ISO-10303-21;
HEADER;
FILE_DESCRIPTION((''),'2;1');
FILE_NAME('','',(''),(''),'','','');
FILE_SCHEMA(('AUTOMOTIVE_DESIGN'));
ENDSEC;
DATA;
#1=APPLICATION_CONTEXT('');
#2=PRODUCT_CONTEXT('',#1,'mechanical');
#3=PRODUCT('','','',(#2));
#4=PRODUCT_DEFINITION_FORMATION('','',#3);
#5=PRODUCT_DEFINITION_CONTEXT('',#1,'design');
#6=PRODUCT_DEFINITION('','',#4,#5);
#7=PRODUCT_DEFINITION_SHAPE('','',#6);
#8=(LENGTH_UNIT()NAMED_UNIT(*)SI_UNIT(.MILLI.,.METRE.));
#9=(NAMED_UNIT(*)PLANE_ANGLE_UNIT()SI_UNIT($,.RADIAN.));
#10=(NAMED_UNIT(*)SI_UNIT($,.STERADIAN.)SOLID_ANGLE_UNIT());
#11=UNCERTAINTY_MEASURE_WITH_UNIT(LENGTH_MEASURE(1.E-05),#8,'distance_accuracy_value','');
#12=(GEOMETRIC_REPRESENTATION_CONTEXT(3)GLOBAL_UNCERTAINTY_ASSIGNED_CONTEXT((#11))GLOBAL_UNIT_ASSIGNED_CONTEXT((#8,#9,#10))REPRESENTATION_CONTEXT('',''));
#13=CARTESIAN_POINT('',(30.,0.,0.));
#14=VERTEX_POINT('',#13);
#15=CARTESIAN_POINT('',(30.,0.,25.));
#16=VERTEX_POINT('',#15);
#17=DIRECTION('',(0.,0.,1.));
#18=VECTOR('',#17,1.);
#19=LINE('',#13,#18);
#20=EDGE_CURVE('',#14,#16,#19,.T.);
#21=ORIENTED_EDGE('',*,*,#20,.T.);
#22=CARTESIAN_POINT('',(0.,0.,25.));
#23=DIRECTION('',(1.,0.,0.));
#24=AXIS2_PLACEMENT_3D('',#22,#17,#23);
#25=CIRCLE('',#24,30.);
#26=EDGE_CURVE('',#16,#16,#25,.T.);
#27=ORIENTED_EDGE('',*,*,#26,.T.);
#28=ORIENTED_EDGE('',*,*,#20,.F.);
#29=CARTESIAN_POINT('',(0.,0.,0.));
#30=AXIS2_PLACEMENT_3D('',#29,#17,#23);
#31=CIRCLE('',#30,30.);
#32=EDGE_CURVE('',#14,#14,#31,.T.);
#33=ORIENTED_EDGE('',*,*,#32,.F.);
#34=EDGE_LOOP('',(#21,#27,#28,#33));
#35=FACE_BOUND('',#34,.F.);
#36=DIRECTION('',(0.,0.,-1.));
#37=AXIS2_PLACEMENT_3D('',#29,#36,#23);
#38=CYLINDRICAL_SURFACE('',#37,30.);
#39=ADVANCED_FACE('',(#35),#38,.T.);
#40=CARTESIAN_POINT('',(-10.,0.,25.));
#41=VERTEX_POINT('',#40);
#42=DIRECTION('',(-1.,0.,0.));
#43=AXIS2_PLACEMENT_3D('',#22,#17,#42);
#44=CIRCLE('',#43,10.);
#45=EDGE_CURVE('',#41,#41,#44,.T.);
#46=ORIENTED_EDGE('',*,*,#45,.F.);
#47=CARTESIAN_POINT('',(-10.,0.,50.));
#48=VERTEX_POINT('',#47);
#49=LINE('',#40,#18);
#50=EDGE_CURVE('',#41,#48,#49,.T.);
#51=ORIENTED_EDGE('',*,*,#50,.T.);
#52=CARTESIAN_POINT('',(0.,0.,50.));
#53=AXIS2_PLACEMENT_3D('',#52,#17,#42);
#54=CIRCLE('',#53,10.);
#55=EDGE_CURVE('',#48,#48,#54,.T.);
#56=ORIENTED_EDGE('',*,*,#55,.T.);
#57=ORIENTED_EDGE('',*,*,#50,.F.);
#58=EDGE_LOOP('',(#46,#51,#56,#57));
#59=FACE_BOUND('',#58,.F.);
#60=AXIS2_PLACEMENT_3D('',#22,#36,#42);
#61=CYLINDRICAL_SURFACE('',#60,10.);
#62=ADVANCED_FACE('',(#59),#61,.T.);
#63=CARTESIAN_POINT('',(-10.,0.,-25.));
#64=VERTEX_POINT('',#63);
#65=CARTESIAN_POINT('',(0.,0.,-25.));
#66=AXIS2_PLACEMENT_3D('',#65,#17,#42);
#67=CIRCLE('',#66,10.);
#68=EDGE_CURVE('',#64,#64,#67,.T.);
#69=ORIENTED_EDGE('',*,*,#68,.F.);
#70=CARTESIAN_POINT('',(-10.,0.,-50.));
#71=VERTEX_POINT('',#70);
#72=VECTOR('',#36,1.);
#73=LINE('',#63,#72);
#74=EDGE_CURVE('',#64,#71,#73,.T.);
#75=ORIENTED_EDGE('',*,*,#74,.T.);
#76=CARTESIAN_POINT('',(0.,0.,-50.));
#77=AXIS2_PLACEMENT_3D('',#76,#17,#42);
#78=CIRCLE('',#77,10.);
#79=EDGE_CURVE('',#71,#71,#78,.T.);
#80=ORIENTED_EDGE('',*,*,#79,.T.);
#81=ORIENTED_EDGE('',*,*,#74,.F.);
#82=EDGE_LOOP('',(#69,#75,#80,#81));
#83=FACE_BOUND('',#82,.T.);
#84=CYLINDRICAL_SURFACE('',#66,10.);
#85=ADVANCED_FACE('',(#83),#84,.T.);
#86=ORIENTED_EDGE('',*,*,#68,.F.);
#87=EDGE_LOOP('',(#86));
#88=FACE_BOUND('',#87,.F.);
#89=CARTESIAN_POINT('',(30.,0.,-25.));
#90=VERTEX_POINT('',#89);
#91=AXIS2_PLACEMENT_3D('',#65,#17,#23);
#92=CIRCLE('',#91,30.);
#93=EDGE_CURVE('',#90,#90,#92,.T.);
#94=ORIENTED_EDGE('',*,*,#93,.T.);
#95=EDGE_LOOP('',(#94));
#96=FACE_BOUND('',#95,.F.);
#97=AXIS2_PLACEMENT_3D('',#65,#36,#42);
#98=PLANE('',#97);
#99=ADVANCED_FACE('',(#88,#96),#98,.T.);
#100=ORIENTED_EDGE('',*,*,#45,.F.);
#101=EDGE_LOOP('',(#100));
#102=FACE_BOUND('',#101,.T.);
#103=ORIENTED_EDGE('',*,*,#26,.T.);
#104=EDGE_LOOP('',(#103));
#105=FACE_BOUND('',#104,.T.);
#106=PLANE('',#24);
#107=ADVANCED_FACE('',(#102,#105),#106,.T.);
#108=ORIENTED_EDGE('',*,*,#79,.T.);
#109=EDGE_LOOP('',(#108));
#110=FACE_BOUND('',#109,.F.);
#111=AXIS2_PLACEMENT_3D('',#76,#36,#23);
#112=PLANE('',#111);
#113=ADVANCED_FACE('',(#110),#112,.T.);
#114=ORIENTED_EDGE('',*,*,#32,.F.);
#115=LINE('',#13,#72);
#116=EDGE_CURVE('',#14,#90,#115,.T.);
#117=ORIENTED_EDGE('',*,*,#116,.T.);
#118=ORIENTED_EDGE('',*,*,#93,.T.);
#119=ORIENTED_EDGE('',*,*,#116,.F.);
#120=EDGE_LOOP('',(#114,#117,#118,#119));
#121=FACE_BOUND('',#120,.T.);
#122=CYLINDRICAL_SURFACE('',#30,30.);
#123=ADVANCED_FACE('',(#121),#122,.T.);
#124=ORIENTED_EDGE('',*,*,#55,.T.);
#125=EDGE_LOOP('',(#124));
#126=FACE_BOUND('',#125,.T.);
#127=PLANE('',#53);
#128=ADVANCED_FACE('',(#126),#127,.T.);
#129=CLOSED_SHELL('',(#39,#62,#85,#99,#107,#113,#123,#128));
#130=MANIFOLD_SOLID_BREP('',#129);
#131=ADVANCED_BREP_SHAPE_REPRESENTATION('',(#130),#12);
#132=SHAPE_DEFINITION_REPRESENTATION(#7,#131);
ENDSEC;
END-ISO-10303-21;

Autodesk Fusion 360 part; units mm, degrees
sketch "Sketch1" plane through (0, 0, 0) normal (0, 0, 1) x (1, 0, 0)
  circle A0 centre (0, 0) radius 30
  dimension "d1" = 60
extrude "Extrude1" add sketch "Sketch1" along normal blind 25
sketch "Sketch2" plane through (0, 0, 25) normal (0, 0, 1) x (-1, 0, 0)
  circle A0 centre (0, 0) radius 30
  circle A1 centre (0, 0) radius 10
  dimension "d4" = 20
extrude "Extrude2" add sketch "Sketch2" along normal blind 25 contours A1
mirror "Mirror1" about plane through (0, 0, 0) normal (0, 0, 1) of bodies 1 merged
